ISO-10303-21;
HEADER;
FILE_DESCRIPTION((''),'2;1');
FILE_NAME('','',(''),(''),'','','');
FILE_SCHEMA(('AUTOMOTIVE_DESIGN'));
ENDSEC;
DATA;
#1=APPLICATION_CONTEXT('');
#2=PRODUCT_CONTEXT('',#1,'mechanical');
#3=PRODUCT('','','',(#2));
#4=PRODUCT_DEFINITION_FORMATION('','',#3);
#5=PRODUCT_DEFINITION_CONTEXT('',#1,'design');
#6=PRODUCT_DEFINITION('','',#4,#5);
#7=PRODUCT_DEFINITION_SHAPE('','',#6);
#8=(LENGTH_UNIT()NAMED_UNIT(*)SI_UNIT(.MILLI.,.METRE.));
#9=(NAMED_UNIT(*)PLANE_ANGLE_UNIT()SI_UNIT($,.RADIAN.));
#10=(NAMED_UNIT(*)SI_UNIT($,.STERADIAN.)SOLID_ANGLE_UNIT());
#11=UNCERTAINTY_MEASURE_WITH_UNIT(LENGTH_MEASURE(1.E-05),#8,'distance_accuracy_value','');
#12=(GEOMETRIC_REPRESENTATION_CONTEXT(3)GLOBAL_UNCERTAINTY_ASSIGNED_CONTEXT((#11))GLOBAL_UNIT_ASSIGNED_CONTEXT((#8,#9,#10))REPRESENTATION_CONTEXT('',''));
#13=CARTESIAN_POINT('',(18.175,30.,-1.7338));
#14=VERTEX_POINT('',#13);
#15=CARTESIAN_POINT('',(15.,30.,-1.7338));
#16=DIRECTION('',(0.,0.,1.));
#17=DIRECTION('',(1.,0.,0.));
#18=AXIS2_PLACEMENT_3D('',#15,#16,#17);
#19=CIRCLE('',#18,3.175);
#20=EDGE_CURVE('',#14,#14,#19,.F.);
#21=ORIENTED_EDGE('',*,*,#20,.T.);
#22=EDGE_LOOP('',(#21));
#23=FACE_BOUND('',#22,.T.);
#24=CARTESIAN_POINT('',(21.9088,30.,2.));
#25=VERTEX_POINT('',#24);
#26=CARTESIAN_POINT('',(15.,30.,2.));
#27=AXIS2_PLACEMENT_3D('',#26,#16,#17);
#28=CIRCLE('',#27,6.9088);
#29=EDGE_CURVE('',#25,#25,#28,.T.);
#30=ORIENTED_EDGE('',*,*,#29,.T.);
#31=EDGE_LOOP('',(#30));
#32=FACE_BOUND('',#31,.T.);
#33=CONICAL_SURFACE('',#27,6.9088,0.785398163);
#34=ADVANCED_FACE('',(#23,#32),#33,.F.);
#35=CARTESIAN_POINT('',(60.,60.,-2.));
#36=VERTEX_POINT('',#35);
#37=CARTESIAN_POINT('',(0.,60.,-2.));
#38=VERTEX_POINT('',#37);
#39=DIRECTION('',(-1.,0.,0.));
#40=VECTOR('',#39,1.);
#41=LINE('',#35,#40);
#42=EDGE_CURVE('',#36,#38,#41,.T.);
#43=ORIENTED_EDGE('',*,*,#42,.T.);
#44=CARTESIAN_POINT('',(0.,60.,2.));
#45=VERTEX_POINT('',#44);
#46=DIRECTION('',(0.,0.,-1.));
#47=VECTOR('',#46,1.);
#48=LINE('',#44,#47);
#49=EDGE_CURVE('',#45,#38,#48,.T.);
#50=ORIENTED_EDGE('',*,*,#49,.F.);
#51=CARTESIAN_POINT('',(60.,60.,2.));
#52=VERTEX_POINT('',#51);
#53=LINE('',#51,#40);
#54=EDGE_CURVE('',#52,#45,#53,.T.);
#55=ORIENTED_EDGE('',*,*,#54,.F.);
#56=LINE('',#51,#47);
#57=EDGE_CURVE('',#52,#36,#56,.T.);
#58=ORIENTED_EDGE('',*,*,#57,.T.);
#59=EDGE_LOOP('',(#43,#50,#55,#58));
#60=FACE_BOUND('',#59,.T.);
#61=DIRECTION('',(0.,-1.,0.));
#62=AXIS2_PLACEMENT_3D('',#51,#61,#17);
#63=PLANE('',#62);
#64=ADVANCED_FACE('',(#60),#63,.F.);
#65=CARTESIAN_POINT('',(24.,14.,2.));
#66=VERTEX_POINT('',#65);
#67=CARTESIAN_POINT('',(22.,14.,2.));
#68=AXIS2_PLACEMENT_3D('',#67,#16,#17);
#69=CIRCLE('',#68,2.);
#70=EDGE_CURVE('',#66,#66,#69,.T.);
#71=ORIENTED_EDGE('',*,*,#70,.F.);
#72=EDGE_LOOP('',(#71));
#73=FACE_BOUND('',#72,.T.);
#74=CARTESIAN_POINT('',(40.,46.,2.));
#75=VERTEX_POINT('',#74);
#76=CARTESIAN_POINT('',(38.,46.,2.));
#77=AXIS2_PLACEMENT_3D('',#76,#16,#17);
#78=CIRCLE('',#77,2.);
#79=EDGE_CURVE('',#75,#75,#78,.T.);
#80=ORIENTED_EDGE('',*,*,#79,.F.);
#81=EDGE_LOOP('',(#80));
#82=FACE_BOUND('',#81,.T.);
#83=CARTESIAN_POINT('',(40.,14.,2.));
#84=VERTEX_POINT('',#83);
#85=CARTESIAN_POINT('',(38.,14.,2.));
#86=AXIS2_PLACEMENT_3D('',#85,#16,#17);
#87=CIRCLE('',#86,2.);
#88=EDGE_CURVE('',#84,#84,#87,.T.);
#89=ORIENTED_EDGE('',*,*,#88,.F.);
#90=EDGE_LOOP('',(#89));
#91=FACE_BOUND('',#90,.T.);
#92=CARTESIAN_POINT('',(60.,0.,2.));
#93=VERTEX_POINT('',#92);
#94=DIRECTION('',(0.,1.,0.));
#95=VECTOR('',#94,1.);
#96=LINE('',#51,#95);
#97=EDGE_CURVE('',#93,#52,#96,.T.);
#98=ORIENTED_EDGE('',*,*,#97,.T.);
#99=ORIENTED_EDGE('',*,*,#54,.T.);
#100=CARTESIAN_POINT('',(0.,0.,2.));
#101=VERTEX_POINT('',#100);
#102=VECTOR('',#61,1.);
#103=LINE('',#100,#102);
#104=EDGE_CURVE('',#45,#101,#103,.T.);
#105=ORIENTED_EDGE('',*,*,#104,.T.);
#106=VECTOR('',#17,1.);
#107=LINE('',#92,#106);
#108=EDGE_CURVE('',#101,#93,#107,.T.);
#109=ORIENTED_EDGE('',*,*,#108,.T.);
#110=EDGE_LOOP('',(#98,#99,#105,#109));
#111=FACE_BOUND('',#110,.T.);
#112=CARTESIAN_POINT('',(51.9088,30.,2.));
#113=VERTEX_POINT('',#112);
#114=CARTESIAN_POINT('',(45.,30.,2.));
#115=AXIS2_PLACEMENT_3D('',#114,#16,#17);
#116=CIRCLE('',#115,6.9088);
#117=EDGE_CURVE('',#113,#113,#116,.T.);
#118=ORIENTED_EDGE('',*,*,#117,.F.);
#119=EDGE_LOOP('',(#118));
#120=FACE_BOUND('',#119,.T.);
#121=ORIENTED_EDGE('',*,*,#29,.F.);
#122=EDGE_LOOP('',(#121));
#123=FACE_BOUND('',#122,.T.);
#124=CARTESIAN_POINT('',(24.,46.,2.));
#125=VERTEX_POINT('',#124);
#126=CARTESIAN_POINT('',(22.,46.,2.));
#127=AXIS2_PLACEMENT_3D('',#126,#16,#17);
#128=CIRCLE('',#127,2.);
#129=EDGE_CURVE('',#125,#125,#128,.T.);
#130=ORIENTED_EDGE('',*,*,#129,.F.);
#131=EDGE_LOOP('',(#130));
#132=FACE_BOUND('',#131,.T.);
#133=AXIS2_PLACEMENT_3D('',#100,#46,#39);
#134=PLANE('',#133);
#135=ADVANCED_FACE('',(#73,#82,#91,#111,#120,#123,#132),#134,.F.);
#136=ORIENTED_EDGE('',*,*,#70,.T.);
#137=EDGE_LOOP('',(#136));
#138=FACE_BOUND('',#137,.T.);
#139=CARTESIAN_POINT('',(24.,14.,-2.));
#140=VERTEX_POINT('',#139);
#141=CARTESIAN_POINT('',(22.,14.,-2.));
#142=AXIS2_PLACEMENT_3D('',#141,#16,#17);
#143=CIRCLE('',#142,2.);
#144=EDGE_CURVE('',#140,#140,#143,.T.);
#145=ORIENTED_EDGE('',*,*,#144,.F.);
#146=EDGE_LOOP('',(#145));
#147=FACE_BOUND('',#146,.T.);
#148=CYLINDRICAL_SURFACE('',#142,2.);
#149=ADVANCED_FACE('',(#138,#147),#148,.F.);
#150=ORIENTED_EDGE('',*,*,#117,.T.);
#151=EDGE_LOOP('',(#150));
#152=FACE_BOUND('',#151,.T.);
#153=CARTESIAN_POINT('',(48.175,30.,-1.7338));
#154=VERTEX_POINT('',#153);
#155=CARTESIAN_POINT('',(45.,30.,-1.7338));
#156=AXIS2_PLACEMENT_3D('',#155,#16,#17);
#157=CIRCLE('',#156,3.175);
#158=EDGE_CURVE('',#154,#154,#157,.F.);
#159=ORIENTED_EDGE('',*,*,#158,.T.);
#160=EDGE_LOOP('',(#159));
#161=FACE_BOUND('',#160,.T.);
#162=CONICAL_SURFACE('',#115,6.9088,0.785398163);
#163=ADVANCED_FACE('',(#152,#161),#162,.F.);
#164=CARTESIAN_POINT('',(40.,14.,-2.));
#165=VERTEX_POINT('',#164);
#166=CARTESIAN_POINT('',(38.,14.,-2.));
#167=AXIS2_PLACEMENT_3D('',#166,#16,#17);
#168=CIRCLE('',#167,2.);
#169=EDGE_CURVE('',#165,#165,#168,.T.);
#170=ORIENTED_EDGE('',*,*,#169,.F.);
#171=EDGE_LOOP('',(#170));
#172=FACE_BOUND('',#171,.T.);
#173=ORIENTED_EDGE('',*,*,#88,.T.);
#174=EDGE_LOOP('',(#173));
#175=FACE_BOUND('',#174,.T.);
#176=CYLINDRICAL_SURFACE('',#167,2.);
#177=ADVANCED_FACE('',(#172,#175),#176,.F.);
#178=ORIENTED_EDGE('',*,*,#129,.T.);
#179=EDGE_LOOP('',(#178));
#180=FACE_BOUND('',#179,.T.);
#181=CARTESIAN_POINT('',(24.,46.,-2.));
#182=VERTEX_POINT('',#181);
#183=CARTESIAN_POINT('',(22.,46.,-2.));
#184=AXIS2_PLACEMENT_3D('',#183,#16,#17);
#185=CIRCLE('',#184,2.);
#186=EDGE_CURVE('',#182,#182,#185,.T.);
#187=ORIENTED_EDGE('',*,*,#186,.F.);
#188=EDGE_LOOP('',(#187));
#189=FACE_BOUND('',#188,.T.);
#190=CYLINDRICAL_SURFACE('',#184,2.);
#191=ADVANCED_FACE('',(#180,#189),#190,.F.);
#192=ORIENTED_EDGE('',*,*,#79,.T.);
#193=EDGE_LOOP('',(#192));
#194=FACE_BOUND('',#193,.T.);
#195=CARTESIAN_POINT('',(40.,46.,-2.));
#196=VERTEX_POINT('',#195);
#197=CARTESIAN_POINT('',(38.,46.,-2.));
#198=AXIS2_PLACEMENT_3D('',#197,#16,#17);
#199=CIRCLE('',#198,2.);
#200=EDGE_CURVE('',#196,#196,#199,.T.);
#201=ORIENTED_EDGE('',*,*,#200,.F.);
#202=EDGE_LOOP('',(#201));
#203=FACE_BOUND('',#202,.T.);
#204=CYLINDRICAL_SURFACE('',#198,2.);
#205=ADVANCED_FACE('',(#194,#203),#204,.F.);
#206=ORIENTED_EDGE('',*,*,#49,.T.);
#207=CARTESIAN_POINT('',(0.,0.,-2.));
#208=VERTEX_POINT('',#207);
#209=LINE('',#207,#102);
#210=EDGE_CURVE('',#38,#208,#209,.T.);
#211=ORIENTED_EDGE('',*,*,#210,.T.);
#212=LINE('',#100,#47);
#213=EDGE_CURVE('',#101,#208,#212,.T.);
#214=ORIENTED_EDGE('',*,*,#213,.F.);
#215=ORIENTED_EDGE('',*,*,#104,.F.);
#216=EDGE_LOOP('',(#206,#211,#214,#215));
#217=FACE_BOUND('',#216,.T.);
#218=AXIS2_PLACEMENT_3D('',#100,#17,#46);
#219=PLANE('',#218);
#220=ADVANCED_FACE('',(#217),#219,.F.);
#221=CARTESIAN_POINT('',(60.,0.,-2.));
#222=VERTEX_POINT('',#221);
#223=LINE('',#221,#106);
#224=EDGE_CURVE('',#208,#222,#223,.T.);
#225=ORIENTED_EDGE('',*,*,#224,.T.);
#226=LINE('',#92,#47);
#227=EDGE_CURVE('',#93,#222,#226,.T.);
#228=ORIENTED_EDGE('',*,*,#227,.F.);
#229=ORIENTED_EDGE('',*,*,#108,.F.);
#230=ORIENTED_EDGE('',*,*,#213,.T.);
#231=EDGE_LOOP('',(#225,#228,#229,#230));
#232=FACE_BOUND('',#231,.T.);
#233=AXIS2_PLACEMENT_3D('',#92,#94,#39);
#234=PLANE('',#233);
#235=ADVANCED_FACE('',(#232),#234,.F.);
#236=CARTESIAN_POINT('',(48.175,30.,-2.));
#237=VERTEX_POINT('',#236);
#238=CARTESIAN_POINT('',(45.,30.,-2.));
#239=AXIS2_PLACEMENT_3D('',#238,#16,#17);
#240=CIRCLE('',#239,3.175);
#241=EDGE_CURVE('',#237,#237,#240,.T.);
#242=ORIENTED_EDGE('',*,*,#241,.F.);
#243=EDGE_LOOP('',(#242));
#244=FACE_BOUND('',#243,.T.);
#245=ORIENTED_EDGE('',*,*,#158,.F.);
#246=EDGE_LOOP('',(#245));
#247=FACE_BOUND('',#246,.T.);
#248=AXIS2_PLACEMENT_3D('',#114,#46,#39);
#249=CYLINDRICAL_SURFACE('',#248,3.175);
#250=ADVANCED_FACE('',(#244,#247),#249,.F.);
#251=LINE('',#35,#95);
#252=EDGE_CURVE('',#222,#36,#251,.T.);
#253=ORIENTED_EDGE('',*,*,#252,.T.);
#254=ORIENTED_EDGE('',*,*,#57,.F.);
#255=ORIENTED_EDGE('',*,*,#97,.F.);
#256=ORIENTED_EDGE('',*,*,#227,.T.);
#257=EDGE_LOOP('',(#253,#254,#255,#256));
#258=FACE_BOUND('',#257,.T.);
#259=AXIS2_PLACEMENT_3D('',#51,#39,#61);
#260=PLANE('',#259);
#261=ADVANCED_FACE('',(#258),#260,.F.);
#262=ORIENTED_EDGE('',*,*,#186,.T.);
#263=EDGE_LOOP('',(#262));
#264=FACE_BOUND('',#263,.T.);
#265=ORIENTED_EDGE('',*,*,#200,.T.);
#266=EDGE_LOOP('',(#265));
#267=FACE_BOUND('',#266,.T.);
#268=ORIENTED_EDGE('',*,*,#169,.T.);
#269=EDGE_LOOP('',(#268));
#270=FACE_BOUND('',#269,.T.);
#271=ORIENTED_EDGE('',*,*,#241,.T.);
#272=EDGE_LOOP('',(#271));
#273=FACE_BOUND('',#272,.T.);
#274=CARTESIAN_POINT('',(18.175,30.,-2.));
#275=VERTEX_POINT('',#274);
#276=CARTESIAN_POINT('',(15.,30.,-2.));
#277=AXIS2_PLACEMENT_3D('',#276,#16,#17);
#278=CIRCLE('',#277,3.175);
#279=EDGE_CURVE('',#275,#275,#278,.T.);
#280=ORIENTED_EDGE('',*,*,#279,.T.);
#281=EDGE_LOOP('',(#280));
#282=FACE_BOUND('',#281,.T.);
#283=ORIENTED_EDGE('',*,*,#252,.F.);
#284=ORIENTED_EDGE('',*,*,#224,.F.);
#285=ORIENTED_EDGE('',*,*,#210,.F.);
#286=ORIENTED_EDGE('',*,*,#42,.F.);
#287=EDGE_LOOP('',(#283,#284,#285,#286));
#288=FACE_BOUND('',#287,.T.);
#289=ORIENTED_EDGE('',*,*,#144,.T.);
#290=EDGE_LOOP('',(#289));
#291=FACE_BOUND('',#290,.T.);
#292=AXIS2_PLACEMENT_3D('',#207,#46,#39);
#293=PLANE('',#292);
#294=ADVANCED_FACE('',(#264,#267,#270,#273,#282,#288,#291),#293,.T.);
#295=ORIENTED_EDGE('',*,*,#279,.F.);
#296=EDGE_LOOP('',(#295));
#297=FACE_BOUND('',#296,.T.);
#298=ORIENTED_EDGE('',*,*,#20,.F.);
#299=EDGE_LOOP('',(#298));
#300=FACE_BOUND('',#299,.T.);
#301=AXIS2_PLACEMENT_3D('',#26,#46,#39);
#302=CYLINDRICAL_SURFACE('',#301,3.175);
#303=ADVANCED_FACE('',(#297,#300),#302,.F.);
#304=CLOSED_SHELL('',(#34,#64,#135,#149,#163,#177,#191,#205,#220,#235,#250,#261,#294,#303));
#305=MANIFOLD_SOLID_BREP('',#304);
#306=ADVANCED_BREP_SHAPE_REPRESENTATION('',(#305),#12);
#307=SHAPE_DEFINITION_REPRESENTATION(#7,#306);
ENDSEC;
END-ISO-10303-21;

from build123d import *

# Parameters (mm, degrees)
SKETCH1_W           = 60
SKETCH1_H           = 60
SKETCH1_R           = 3.175
BOSS_EXTRUDE1_DEPTH = 2
SKETCH3_R           = 2
CUT_EXTRUDE2_DEPTH  = 85.947042326


with BuildPart() as part:
    # Sketch1 → Boss-Extrude1 (new, symmetric)
    with BuildSketch(Plane.XY):
        with Locations((30, 30)):
            Rectangle(SKETCH1_W, SKETCH1_H)
        with Locations((15, 30)):
            Circle(SKETCH1_R, mode=Mode.SUBTRACT)
        with Locations((45, 30)):
            Circle(SKETCH1_R, mode=Mode.SUBTRACT)
    extrude(amount=BOSS_EXTRUDE1_DEPTH, both=True)

    # Cut-Extrude1 cone 1 section (through the dimple's axis) → Cut-Extrude1 (revolve, cut)
    with BuildSketch(Plane(origin=(15, 30, 2), x_dir=(0, -1, 0), z_dir=(1, 0, 0))):
        Polygon((0, 0), (6.9088, 0), (0, 6.9088), align=None)
    revolve(axis=Axis((15, 30, 2), (0, 0, -1)), mode=Mode.SUBTRACT)

    # Cut-Extrude1 cone 2 section (through the dimple's axis) → Cut-Extrude1 cone 2 (revolve, cut)
    with BuildSketch(Plane(origin=(45, 30, 2), x_dir=(0, -1, 0), z_dir=(1, 0, 0))):
        Polygon((0, 0), (6.9088, 0), (0, 6.9088), align=None)
    revolve(axis=Axis((45, 30, 2), (0, 0, -1)), mode=Mode.SUBTRACT)

    # Sketch3 → Cut-Extrude2 (cut, through all)
    with BuildSketch(Plane.XY.offset(2)):
        with Locations((22, 14)):
            Circle(SKETCH3_R)
        with Locations((38, 14)):
            Circle(SKETCH3_R)
        with Locations((38, 46)):
            Circle(SKETCH3_R)
        with Locations((22, 46)):
            Circle(SKETCH3_R)
    extrude(amount=-CUT_EXTRUDE2_DEPTH, mode=Mode.SUBTRACT)


solid = part.part
